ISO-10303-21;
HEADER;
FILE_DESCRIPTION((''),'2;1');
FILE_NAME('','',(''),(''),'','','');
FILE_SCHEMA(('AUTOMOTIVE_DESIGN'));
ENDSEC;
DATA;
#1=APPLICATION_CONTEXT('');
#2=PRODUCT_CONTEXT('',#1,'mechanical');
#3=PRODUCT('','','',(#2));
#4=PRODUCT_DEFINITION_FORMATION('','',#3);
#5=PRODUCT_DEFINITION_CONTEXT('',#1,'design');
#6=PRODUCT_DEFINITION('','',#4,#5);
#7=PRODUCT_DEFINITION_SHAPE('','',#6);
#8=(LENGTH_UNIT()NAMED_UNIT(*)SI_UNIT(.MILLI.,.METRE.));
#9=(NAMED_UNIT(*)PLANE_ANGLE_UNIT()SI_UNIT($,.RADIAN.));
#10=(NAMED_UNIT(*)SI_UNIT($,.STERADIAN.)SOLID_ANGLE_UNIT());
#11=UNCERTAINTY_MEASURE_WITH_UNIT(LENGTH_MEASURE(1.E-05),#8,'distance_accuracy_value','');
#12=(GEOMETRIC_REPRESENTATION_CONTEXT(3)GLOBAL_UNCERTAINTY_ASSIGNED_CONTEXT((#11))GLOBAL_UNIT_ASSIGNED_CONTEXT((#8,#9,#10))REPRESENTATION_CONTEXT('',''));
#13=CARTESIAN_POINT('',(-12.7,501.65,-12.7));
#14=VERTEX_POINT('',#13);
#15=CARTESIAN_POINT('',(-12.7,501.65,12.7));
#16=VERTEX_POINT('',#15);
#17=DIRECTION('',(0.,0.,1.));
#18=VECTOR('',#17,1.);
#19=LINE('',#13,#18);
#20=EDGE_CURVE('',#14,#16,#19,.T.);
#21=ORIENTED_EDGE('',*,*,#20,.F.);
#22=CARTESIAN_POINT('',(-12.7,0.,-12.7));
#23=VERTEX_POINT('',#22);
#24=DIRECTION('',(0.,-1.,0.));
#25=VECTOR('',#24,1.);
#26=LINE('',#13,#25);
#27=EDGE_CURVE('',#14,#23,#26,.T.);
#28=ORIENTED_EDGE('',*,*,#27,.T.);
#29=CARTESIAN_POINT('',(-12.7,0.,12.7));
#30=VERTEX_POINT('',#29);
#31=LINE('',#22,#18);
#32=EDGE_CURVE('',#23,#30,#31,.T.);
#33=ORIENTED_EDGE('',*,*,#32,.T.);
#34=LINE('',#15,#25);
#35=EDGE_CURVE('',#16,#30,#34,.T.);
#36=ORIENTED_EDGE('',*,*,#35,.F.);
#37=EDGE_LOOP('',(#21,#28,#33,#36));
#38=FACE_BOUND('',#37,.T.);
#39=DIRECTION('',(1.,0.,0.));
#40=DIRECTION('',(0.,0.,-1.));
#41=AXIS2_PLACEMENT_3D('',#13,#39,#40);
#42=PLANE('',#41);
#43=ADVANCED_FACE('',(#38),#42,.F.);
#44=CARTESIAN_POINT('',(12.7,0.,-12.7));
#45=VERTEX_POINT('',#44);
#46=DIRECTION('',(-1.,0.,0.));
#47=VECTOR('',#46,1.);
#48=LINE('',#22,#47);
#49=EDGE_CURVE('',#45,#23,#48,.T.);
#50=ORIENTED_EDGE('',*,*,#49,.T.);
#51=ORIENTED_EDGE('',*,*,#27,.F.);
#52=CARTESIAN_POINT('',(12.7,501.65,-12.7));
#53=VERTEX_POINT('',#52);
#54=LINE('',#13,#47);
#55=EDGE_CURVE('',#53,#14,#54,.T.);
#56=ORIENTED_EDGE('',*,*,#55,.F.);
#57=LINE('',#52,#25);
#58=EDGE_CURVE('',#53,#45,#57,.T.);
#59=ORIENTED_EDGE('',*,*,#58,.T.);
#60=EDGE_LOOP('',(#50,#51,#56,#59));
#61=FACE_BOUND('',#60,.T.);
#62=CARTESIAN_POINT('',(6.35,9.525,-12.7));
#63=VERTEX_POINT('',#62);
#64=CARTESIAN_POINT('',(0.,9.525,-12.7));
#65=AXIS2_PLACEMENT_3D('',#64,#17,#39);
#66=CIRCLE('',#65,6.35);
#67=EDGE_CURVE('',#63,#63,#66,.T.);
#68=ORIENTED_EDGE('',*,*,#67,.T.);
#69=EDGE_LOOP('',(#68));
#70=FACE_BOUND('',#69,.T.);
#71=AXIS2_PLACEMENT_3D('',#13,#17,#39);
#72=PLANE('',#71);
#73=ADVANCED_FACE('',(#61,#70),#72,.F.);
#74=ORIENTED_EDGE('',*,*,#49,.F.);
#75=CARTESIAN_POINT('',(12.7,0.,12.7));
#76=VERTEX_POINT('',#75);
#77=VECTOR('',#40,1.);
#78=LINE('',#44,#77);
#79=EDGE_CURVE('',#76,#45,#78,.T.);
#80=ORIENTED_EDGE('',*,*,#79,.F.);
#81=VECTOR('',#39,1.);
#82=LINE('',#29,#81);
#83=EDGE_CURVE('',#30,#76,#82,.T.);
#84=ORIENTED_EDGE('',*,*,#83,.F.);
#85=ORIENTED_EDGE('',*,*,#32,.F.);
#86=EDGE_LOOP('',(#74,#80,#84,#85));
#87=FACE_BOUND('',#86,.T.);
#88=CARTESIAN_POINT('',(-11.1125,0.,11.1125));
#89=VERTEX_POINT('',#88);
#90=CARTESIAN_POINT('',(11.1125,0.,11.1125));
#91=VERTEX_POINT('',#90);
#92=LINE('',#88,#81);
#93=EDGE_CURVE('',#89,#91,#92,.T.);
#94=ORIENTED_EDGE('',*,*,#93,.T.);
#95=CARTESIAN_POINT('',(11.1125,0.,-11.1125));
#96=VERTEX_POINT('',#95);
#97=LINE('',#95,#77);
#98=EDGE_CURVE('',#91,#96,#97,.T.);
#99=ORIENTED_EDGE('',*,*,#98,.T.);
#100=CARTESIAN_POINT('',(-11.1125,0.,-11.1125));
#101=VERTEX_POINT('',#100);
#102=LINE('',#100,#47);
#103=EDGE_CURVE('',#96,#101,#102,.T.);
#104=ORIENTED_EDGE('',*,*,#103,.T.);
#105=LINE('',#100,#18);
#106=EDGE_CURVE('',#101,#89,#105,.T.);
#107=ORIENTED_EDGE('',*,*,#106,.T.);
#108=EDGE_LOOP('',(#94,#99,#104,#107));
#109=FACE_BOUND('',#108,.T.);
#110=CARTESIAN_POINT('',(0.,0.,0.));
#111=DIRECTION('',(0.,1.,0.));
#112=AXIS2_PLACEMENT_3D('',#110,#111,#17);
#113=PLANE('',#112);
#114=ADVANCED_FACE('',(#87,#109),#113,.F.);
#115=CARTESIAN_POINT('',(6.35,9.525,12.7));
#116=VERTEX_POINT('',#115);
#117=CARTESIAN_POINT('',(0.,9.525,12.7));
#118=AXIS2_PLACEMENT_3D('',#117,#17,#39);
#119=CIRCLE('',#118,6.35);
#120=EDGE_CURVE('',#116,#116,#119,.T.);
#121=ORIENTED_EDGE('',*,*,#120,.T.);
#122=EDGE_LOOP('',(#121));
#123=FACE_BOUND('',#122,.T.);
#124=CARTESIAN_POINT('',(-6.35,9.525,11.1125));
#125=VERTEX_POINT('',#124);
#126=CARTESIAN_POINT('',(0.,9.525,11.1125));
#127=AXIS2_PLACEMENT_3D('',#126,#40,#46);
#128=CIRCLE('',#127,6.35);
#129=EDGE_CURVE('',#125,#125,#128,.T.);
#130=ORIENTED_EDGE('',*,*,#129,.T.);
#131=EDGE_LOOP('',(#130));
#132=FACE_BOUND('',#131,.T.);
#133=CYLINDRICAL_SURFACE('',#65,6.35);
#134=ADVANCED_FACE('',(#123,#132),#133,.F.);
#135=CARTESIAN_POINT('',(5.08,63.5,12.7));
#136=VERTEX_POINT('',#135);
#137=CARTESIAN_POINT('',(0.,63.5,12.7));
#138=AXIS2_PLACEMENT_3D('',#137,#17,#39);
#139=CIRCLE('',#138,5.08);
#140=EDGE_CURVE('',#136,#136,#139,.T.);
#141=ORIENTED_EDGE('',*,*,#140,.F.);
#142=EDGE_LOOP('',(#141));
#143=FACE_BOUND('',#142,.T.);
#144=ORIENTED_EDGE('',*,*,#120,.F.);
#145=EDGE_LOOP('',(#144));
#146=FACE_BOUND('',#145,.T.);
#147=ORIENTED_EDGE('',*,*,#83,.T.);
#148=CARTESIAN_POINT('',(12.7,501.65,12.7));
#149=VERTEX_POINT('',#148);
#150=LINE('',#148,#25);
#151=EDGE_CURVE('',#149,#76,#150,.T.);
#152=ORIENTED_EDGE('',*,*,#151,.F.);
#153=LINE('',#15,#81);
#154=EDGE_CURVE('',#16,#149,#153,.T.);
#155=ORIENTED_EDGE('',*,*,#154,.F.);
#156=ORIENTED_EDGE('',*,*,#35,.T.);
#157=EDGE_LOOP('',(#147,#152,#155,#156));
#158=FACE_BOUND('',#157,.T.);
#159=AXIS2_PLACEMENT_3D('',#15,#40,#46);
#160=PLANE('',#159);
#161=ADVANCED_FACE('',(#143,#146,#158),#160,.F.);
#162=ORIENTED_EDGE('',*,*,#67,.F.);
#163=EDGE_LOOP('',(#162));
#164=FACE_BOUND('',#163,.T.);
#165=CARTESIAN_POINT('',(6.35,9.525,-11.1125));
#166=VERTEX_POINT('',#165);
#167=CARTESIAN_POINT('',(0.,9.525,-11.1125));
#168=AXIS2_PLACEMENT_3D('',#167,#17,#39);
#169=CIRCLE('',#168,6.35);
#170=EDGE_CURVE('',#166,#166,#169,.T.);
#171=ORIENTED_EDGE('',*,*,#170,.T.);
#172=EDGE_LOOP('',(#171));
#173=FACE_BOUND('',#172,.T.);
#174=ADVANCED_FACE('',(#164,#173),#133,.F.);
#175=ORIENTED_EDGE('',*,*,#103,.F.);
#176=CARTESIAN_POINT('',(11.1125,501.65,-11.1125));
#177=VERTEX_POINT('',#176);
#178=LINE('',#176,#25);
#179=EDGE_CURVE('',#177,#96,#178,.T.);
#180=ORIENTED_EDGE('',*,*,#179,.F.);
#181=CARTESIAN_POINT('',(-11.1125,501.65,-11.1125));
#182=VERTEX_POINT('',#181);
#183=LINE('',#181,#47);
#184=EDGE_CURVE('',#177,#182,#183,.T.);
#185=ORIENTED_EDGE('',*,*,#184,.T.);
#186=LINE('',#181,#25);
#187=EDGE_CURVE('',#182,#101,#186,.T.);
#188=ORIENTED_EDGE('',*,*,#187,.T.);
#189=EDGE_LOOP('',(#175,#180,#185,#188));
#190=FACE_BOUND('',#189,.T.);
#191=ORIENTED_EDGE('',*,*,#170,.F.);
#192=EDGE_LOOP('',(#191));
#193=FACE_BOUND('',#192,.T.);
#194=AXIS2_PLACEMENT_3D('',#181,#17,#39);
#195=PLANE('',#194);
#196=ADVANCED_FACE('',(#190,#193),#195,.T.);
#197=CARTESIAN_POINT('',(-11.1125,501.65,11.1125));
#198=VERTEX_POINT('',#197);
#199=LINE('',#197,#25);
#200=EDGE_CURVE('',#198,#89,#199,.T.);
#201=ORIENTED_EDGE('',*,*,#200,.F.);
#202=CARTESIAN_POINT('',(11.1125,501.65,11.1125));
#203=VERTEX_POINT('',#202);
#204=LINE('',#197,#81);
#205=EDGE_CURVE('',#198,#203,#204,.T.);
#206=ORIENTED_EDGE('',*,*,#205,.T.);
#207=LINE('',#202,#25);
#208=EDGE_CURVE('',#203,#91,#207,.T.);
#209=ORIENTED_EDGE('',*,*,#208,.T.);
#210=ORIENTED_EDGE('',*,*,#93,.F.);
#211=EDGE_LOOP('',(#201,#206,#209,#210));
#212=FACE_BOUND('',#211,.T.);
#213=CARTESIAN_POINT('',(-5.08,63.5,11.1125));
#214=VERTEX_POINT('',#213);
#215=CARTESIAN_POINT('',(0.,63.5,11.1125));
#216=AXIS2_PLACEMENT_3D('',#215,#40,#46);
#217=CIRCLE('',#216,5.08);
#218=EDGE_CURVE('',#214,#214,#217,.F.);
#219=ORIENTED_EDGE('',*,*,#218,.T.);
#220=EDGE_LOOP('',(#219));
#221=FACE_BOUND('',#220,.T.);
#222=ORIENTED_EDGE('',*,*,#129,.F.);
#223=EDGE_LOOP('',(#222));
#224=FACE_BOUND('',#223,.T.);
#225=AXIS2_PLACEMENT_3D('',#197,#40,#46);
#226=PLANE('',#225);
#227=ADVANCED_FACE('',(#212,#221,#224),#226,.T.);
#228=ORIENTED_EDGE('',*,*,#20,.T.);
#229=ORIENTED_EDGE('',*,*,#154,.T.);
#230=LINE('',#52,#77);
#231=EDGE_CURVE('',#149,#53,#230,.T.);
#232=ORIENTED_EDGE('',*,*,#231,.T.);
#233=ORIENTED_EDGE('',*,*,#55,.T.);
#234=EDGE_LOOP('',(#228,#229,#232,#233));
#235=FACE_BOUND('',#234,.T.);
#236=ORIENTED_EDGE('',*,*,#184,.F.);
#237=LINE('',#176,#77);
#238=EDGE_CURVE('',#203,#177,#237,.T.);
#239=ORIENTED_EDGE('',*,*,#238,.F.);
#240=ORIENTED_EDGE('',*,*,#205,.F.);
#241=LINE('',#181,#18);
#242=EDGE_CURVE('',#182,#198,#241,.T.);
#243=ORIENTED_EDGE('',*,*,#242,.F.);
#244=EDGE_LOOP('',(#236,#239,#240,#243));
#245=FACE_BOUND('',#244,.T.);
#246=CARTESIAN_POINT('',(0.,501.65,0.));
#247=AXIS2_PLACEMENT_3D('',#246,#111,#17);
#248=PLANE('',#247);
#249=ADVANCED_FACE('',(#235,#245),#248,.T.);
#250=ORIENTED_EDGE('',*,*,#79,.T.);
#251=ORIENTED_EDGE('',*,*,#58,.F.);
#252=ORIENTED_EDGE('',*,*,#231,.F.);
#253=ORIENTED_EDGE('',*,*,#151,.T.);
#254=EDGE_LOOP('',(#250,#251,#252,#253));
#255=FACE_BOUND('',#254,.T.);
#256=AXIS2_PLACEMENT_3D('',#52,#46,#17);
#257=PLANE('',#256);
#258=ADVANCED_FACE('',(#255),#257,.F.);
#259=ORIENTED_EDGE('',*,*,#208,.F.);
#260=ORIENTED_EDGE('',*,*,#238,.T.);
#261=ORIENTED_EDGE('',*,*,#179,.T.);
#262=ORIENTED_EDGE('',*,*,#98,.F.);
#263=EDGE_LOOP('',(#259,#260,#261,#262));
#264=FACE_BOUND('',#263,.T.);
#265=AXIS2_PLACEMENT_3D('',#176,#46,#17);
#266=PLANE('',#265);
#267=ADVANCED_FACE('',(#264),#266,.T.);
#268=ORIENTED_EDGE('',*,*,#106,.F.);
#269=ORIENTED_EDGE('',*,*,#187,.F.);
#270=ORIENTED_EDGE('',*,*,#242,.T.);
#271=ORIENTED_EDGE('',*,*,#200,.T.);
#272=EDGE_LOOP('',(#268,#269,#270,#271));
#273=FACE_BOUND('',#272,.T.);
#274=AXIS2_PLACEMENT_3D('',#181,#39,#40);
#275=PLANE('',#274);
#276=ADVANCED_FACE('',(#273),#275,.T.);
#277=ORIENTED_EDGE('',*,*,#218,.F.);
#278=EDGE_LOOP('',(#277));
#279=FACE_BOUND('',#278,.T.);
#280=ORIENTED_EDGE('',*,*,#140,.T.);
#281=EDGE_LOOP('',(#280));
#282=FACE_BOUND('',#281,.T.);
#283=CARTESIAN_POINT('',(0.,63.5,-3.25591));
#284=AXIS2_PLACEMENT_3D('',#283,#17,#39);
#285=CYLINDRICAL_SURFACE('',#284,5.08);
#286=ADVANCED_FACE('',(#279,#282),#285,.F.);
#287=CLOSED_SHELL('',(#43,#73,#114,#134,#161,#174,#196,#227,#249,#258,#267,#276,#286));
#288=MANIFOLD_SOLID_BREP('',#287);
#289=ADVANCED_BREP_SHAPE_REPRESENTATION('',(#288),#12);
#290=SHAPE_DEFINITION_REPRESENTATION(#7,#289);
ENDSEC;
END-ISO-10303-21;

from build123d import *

# Parameters (mm, degrees)
SKETCH1_W           = 25.4
SKETCH1_H           = 25.4
SKETCH1_W_2         = 22.225
SKETCH1_H_2         = 22.225
BOSS_EXTRUDE1_DEPTH = 501.65
SKETCH4_R           = 6.35
CUT_EXTRUDE1_DEPTH  = 26.4
SKETCH7_R           = 5.08
CUT_EXTRUDE3_DEPTH  = 1.5875


with BuildPart() as part:
    # Sketch1 → Boss-Extrude1 (new body)
    with BuildSketch(Plane(origin=(0, 0, 0), x_dir=(1, 0, 0), z_dir=(0, 1, 0))):
        Rectangle(SKETCH1_W, SKETCH1_H)
        Rectangle(SKETCH1_W_2, SKETCH1_H_2, mode=Mode.SUBTRACT)
    extrude(amount=BOSS_EXTRUDE1_DEPTH)

    # Sketch4 → Cut-Extrude1 (cut, through all)
    with BuildSketch(Plane.XY.offset(12.7)):
        with Locations((0, 9.525)):
            Circle(SKETCH4_R)
    extrude(amount=-CUT_EXTRUDE1_DEPTH, mode=Mode.SUBTRACT)

    # Sketch7 → Cut-Extrude3 (cut)
    with BuildSketch(Plane.XY.offset(12.7)):
        with Locations((0, 63.5)):
            Circle(SKETCH7_R)
    extrude(amount=-CUT_EXTRUDE3_DEPTH, mode=Mode.SUBTRACT)


solid = part.part
